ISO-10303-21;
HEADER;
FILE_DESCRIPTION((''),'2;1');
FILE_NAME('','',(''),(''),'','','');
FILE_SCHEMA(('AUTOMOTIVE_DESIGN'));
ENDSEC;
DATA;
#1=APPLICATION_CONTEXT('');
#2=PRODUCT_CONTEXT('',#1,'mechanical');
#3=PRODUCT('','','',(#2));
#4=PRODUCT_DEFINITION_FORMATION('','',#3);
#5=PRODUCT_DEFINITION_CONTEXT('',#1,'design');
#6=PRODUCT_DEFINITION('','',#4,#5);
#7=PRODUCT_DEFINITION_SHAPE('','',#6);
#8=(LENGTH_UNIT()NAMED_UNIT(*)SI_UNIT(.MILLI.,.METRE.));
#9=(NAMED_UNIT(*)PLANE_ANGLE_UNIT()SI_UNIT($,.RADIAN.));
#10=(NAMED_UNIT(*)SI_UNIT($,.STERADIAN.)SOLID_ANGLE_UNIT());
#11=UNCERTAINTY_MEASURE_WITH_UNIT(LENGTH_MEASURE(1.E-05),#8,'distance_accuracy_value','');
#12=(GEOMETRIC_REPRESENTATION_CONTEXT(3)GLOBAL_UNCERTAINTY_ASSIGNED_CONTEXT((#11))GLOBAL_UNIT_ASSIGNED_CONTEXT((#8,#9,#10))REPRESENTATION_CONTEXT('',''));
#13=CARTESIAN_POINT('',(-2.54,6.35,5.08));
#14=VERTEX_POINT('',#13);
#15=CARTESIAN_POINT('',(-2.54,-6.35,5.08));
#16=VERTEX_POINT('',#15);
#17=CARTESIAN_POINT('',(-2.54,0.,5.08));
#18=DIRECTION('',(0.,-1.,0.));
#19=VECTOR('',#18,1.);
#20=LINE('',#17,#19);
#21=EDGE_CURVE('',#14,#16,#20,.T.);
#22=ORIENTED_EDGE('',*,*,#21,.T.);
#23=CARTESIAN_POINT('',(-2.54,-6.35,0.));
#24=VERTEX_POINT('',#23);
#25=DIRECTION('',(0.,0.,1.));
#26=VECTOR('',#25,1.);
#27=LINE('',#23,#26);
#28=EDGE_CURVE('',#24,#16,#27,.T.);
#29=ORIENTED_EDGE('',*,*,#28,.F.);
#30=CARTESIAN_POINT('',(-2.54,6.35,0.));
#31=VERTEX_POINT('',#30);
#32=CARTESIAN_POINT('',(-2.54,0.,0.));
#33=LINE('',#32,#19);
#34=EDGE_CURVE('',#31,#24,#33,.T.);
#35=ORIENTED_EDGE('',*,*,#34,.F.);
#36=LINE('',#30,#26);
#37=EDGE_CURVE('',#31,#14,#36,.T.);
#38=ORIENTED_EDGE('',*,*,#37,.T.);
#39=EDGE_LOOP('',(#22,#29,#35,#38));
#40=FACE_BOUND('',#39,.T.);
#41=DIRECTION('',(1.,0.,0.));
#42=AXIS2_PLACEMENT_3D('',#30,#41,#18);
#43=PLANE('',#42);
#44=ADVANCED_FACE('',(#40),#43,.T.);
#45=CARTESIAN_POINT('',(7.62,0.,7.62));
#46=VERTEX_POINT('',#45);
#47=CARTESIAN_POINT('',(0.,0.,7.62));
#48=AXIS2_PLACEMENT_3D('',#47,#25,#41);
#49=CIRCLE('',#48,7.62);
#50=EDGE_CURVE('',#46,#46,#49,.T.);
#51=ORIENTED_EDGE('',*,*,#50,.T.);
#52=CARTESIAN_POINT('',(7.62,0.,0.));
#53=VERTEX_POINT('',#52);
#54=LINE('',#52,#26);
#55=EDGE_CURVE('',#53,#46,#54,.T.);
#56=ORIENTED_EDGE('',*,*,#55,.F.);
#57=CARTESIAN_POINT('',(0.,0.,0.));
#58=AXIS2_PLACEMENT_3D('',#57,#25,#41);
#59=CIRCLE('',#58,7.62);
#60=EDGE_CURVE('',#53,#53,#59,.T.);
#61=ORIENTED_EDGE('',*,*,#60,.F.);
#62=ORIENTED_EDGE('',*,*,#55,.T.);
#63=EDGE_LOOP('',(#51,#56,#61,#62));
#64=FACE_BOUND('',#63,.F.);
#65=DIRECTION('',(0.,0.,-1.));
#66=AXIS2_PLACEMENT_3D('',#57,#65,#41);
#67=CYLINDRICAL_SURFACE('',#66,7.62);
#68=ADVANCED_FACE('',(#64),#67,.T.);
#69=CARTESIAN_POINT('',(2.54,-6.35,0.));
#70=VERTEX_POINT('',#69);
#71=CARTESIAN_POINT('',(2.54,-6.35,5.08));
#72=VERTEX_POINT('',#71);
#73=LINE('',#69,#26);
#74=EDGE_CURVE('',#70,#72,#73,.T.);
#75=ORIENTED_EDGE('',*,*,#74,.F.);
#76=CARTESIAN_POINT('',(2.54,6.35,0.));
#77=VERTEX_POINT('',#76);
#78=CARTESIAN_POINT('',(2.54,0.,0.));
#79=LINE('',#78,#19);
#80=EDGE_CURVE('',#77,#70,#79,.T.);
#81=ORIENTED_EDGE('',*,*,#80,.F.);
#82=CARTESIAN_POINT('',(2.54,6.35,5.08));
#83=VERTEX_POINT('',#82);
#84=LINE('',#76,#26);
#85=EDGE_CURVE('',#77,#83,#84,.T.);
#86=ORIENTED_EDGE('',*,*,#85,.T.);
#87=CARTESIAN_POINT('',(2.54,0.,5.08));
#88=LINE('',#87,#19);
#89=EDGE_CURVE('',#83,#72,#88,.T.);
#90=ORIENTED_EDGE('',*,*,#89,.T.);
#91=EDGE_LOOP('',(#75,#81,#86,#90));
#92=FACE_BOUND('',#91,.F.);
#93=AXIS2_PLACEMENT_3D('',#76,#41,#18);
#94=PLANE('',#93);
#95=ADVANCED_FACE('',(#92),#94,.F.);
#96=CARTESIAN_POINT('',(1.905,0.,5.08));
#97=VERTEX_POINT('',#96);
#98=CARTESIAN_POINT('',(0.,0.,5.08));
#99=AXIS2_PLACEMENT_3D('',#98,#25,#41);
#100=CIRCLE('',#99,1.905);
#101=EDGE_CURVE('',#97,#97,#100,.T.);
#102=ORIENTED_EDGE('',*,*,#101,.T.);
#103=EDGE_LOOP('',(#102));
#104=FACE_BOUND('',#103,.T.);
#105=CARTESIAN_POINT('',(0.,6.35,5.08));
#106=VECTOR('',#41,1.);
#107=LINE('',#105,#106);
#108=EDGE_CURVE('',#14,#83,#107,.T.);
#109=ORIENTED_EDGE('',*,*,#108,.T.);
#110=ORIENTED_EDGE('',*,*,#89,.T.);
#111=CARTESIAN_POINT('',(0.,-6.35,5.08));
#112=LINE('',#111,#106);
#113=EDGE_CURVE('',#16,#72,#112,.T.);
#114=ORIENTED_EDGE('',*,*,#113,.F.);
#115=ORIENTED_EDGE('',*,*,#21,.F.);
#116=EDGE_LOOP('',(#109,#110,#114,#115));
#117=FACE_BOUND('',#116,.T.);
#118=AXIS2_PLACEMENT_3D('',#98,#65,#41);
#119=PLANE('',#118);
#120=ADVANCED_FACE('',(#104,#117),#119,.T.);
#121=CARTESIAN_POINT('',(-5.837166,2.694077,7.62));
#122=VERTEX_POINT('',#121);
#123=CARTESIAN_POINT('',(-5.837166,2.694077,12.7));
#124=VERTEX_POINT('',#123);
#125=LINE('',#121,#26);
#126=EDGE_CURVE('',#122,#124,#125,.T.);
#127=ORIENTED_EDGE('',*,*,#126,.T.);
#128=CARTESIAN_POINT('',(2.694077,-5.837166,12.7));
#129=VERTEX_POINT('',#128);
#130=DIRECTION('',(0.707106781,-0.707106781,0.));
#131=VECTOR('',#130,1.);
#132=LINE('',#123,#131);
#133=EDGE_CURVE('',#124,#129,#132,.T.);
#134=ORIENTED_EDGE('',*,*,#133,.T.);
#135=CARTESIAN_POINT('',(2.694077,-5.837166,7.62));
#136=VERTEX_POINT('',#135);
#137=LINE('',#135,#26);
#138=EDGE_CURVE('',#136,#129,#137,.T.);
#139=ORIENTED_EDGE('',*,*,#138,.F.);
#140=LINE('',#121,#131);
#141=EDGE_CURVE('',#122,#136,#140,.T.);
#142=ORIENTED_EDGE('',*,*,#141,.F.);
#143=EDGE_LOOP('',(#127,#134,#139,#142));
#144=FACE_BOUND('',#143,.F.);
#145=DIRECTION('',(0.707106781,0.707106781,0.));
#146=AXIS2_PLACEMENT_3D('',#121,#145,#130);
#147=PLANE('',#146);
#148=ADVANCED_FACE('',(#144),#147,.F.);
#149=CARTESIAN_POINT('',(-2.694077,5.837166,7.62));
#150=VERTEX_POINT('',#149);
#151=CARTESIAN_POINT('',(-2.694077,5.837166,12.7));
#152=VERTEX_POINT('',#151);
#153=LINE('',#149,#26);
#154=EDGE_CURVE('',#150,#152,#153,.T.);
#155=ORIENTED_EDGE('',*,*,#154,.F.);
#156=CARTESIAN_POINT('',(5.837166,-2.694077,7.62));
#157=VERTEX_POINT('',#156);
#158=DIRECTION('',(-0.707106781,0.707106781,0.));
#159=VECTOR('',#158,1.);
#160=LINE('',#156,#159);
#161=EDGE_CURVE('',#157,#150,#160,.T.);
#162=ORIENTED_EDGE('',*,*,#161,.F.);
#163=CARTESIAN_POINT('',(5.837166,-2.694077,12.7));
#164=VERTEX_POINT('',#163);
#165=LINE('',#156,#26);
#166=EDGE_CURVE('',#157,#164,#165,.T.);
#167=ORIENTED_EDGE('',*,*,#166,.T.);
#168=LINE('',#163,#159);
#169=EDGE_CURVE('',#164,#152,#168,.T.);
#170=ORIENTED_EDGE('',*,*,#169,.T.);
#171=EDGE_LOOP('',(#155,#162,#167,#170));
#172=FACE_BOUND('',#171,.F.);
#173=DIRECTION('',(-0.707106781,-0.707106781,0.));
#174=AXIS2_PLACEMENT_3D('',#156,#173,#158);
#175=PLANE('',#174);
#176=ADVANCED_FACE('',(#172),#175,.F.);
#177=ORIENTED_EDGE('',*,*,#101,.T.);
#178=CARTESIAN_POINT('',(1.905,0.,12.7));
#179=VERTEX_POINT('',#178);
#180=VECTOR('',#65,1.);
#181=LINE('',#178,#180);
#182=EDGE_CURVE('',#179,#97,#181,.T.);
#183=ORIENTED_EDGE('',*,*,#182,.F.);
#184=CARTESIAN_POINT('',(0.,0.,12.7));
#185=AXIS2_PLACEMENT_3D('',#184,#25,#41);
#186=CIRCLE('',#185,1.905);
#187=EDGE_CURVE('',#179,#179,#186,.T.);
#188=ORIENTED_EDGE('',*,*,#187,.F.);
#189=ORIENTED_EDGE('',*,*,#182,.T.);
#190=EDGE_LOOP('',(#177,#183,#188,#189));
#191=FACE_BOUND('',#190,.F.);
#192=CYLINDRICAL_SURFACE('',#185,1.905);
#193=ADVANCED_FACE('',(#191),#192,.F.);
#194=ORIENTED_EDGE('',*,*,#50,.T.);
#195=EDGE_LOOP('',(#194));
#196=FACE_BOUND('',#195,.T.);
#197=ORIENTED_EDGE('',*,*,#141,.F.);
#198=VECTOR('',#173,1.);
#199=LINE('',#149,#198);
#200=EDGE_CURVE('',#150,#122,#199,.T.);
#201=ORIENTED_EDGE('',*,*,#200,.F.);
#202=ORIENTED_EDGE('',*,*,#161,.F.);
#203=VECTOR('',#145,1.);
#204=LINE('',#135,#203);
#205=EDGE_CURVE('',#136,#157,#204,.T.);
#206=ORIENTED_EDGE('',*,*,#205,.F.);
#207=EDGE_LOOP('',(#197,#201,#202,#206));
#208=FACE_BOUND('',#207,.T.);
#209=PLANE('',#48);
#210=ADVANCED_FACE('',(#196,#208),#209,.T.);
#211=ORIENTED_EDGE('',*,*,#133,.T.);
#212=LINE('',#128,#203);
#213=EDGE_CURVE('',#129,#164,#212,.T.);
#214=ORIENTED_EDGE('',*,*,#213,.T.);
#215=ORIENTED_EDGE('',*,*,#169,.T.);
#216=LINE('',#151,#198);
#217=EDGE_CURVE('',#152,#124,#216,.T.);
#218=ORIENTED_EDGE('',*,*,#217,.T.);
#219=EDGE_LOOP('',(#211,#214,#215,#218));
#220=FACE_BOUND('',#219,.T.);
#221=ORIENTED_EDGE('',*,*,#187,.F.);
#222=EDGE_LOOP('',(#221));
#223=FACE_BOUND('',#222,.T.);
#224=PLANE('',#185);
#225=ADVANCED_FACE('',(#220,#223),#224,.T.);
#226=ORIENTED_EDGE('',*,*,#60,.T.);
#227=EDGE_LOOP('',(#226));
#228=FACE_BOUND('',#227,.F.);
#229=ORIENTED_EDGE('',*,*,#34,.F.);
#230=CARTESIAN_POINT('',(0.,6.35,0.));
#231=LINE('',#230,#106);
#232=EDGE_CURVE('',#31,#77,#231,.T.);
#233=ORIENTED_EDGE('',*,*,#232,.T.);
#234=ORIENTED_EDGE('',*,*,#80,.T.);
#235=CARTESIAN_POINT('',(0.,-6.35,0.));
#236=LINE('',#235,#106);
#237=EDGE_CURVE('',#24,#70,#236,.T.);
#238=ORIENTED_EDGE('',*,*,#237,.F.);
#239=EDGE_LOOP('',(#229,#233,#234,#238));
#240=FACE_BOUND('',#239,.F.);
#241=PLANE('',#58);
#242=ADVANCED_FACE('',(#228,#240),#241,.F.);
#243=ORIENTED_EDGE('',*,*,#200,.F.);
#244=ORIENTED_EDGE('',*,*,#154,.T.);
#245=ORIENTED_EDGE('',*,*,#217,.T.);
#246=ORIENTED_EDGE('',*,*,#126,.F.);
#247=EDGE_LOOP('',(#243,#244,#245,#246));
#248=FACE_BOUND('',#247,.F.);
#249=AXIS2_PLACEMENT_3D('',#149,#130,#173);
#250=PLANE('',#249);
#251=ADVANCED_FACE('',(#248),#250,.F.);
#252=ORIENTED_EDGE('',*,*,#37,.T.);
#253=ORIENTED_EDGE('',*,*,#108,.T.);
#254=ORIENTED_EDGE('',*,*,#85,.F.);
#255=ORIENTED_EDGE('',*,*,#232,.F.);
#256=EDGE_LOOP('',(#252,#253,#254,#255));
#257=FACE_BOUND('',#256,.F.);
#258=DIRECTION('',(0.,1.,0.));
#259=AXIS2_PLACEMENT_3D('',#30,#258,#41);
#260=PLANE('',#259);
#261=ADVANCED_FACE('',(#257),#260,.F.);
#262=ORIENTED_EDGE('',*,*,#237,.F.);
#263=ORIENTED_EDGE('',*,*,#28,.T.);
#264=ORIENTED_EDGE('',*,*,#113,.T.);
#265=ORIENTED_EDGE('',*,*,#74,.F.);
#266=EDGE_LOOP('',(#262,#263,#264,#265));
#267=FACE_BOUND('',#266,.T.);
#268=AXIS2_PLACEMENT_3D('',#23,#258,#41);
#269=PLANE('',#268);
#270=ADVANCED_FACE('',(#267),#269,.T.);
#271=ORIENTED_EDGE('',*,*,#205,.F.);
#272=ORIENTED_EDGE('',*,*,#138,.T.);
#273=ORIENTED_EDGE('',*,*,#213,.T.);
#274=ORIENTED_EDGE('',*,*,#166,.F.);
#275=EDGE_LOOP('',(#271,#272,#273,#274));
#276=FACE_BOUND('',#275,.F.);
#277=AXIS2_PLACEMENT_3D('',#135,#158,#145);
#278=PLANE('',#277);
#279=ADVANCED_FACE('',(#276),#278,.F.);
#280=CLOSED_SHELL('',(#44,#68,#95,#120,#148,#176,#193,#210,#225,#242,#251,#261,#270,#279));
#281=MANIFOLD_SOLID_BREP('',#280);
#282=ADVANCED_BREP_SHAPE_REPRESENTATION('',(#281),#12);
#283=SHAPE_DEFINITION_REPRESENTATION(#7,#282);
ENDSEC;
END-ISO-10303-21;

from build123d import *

# Parameters (mm, degrees)
F0_R     = 7.62
F1_DEPTH = 7.62
F2_W     = 5.08
F2_H     = 12.7
F3_DEPTH = 5.08
F5_DEPTH = 5.08
F6_R     = 1.905
F7_DEPTH = 12.701


with BuildPart() as f1:
    # F0 (on Top) → F1 (new body)
    with BuildSketch(Plane.XY):
        Circle(F0_R)
    extrude(amount=F1_DEPTH)

    # F2 (on face) → F3 (cut)
    with BuildSketch(Plane(origin=(0, 0, 0), x_dir=(1, 0, 0), z_dir=(0, 0, -1))):
        Rectangle(F2_W, F2_H)
    extrude(amount=-F3_DEPTH, mode=Mode.SUBTRACT)

    # F4 (on face) → F5 (join)
    with BuildSketch(Plane.XY.offset(7.62)):
        Polygon((-2.694077, 5.837166), (-5.837166, 2.694077), (2.694077, -5.837166), (5.837166, -2.694077), align=None)
    extrude(amount=F5_DEPTH)

    # F6 (on face) → F7 (cut, through all)
    with BuildSketch(Plane.XY.offset(12.7)):
        Circle(F6_R)
    extrude(amount=-F7_DEPTH, mode=Mode.SUBTRACT)


solid = f1.part
